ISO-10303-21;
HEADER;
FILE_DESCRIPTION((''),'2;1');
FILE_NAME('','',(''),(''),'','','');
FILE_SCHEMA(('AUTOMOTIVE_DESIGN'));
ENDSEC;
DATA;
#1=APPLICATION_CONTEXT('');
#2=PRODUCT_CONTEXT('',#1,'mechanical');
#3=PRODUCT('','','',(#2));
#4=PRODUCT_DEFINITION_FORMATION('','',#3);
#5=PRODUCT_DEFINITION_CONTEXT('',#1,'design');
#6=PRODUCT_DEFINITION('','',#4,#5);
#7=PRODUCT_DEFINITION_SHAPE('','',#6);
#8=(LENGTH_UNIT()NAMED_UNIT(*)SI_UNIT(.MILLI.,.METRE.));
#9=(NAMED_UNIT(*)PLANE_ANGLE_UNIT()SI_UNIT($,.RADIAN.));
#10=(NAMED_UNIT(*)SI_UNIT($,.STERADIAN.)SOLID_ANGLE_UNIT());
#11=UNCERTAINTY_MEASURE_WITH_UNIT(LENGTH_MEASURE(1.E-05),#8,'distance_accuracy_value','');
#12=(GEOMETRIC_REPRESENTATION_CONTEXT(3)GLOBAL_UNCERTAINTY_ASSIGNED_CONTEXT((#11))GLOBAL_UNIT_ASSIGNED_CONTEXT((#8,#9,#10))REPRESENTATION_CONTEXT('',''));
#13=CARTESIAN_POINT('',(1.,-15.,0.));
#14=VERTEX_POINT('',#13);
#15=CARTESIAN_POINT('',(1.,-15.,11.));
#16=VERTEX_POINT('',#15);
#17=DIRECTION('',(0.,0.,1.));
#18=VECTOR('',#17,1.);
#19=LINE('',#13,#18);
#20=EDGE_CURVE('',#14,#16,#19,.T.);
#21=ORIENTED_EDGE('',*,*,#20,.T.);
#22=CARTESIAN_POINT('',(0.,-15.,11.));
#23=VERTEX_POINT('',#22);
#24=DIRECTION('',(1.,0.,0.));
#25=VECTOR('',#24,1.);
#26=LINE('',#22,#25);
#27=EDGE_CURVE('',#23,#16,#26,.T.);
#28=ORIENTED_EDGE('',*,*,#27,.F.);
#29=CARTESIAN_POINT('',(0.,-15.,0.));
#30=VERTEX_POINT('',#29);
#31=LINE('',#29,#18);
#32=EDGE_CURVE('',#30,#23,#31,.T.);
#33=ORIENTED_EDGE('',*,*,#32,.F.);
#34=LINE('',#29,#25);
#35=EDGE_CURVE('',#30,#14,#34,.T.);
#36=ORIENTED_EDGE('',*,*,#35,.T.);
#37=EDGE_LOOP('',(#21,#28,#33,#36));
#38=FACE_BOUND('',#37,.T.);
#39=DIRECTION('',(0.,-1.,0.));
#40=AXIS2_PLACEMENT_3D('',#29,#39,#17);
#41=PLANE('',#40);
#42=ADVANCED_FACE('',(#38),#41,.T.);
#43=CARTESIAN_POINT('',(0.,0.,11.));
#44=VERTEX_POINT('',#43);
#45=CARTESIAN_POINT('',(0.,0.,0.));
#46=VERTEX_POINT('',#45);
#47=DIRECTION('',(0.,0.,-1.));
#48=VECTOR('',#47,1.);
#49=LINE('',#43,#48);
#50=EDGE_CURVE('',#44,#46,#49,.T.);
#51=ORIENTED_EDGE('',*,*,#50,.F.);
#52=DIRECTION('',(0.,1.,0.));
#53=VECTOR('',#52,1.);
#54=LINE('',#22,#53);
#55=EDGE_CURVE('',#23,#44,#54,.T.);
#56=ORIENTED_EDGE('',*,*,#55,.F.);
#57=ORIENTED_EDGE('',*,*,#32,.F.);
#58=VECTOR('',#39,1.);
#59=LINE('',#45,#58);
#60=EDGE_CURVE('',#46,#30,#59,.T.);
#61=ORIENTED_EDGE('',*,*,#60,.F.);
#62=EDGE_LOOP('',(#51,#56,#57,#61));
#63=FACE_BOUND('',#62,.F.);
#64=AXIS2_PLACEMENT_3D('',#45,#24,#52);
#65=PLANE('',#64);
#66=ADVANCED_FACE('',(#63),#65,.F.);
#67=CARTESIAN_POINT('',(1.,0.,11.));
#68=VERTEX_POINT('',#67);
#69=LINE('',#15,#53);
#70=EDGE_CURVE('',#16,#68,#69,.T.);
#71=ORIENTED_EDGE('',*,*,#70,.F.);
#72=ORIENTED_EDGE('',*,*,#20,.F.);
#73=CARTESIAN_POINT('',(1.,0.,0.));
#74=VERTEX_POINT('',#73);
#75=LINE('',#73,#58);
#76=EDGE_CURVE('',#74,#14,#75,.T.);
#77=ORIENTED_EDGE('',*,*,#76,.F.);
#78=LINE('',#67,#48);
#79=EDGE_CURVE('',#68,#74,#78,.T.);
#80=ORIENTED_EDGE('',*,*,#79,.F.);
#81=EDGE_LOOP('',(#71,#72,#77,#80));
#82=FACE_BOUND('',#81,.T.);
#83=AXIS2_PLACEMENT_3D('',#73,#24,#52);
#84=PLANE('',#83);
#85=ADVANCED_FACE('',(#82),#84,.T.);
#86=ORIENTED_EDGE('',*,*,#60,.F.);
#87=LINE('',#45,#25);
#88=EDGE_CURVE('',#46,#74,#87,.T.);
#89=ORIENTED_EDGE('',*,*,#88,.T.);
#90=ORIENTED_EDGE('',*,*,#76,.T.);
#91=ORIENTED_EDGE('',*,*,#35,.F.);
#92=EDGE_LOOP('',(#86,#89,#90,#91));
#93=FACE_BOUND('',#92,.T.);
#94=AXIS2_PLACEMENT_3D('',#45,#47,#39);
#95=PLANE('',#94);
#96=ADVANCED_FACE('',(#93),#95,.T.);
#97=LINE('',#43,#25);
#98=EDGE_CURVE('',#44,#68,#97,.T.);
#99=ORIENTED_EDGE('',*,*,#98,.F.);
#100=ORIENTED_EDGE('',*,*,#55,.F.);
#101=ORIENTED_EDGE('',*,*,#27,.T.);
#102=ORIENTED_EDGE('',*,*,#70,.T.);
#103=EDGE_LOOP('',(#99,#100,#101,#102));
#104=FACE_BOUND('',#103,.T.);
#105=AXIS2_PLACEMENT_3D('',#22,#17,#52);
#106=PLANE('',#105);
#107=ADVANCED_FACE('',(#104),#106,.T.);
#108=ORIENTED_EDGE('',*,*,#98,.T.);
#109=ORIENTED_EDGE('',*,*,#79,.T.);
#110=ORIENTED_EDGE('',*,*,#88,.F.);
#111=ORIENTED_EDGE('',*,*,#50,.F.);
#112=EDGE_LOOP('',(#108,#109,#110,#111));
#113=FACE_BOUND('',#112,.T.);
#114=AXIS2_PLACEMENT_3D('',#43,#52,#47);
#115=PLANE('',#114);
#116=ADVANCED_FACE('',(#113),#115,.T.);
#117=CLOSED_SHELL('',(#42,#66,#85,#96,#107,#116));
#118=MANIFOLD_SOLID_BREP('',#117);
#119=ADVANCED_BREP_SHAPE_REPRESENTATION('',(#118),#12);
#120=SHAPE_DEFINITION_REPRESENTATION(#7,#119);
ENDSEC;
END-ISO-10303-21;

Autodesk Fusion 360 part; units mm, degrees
sketch "Sketch1" plane through (0, 0, 0) normal (1, 0, 0) x (0, 1, 0)
  line L0 (0, 0) -> (-15, 0)
  line L1 (-15, 0) -> (-15, 11)
  line L2 (-15, 11) -> (0, 11)
  line L3 (0, 11) -> (0, 0)
  dimension "d1" = 15
  dimension "d2" = 11
extrude "Extrude1" add sketch "Sketch1" along normal blind 1
